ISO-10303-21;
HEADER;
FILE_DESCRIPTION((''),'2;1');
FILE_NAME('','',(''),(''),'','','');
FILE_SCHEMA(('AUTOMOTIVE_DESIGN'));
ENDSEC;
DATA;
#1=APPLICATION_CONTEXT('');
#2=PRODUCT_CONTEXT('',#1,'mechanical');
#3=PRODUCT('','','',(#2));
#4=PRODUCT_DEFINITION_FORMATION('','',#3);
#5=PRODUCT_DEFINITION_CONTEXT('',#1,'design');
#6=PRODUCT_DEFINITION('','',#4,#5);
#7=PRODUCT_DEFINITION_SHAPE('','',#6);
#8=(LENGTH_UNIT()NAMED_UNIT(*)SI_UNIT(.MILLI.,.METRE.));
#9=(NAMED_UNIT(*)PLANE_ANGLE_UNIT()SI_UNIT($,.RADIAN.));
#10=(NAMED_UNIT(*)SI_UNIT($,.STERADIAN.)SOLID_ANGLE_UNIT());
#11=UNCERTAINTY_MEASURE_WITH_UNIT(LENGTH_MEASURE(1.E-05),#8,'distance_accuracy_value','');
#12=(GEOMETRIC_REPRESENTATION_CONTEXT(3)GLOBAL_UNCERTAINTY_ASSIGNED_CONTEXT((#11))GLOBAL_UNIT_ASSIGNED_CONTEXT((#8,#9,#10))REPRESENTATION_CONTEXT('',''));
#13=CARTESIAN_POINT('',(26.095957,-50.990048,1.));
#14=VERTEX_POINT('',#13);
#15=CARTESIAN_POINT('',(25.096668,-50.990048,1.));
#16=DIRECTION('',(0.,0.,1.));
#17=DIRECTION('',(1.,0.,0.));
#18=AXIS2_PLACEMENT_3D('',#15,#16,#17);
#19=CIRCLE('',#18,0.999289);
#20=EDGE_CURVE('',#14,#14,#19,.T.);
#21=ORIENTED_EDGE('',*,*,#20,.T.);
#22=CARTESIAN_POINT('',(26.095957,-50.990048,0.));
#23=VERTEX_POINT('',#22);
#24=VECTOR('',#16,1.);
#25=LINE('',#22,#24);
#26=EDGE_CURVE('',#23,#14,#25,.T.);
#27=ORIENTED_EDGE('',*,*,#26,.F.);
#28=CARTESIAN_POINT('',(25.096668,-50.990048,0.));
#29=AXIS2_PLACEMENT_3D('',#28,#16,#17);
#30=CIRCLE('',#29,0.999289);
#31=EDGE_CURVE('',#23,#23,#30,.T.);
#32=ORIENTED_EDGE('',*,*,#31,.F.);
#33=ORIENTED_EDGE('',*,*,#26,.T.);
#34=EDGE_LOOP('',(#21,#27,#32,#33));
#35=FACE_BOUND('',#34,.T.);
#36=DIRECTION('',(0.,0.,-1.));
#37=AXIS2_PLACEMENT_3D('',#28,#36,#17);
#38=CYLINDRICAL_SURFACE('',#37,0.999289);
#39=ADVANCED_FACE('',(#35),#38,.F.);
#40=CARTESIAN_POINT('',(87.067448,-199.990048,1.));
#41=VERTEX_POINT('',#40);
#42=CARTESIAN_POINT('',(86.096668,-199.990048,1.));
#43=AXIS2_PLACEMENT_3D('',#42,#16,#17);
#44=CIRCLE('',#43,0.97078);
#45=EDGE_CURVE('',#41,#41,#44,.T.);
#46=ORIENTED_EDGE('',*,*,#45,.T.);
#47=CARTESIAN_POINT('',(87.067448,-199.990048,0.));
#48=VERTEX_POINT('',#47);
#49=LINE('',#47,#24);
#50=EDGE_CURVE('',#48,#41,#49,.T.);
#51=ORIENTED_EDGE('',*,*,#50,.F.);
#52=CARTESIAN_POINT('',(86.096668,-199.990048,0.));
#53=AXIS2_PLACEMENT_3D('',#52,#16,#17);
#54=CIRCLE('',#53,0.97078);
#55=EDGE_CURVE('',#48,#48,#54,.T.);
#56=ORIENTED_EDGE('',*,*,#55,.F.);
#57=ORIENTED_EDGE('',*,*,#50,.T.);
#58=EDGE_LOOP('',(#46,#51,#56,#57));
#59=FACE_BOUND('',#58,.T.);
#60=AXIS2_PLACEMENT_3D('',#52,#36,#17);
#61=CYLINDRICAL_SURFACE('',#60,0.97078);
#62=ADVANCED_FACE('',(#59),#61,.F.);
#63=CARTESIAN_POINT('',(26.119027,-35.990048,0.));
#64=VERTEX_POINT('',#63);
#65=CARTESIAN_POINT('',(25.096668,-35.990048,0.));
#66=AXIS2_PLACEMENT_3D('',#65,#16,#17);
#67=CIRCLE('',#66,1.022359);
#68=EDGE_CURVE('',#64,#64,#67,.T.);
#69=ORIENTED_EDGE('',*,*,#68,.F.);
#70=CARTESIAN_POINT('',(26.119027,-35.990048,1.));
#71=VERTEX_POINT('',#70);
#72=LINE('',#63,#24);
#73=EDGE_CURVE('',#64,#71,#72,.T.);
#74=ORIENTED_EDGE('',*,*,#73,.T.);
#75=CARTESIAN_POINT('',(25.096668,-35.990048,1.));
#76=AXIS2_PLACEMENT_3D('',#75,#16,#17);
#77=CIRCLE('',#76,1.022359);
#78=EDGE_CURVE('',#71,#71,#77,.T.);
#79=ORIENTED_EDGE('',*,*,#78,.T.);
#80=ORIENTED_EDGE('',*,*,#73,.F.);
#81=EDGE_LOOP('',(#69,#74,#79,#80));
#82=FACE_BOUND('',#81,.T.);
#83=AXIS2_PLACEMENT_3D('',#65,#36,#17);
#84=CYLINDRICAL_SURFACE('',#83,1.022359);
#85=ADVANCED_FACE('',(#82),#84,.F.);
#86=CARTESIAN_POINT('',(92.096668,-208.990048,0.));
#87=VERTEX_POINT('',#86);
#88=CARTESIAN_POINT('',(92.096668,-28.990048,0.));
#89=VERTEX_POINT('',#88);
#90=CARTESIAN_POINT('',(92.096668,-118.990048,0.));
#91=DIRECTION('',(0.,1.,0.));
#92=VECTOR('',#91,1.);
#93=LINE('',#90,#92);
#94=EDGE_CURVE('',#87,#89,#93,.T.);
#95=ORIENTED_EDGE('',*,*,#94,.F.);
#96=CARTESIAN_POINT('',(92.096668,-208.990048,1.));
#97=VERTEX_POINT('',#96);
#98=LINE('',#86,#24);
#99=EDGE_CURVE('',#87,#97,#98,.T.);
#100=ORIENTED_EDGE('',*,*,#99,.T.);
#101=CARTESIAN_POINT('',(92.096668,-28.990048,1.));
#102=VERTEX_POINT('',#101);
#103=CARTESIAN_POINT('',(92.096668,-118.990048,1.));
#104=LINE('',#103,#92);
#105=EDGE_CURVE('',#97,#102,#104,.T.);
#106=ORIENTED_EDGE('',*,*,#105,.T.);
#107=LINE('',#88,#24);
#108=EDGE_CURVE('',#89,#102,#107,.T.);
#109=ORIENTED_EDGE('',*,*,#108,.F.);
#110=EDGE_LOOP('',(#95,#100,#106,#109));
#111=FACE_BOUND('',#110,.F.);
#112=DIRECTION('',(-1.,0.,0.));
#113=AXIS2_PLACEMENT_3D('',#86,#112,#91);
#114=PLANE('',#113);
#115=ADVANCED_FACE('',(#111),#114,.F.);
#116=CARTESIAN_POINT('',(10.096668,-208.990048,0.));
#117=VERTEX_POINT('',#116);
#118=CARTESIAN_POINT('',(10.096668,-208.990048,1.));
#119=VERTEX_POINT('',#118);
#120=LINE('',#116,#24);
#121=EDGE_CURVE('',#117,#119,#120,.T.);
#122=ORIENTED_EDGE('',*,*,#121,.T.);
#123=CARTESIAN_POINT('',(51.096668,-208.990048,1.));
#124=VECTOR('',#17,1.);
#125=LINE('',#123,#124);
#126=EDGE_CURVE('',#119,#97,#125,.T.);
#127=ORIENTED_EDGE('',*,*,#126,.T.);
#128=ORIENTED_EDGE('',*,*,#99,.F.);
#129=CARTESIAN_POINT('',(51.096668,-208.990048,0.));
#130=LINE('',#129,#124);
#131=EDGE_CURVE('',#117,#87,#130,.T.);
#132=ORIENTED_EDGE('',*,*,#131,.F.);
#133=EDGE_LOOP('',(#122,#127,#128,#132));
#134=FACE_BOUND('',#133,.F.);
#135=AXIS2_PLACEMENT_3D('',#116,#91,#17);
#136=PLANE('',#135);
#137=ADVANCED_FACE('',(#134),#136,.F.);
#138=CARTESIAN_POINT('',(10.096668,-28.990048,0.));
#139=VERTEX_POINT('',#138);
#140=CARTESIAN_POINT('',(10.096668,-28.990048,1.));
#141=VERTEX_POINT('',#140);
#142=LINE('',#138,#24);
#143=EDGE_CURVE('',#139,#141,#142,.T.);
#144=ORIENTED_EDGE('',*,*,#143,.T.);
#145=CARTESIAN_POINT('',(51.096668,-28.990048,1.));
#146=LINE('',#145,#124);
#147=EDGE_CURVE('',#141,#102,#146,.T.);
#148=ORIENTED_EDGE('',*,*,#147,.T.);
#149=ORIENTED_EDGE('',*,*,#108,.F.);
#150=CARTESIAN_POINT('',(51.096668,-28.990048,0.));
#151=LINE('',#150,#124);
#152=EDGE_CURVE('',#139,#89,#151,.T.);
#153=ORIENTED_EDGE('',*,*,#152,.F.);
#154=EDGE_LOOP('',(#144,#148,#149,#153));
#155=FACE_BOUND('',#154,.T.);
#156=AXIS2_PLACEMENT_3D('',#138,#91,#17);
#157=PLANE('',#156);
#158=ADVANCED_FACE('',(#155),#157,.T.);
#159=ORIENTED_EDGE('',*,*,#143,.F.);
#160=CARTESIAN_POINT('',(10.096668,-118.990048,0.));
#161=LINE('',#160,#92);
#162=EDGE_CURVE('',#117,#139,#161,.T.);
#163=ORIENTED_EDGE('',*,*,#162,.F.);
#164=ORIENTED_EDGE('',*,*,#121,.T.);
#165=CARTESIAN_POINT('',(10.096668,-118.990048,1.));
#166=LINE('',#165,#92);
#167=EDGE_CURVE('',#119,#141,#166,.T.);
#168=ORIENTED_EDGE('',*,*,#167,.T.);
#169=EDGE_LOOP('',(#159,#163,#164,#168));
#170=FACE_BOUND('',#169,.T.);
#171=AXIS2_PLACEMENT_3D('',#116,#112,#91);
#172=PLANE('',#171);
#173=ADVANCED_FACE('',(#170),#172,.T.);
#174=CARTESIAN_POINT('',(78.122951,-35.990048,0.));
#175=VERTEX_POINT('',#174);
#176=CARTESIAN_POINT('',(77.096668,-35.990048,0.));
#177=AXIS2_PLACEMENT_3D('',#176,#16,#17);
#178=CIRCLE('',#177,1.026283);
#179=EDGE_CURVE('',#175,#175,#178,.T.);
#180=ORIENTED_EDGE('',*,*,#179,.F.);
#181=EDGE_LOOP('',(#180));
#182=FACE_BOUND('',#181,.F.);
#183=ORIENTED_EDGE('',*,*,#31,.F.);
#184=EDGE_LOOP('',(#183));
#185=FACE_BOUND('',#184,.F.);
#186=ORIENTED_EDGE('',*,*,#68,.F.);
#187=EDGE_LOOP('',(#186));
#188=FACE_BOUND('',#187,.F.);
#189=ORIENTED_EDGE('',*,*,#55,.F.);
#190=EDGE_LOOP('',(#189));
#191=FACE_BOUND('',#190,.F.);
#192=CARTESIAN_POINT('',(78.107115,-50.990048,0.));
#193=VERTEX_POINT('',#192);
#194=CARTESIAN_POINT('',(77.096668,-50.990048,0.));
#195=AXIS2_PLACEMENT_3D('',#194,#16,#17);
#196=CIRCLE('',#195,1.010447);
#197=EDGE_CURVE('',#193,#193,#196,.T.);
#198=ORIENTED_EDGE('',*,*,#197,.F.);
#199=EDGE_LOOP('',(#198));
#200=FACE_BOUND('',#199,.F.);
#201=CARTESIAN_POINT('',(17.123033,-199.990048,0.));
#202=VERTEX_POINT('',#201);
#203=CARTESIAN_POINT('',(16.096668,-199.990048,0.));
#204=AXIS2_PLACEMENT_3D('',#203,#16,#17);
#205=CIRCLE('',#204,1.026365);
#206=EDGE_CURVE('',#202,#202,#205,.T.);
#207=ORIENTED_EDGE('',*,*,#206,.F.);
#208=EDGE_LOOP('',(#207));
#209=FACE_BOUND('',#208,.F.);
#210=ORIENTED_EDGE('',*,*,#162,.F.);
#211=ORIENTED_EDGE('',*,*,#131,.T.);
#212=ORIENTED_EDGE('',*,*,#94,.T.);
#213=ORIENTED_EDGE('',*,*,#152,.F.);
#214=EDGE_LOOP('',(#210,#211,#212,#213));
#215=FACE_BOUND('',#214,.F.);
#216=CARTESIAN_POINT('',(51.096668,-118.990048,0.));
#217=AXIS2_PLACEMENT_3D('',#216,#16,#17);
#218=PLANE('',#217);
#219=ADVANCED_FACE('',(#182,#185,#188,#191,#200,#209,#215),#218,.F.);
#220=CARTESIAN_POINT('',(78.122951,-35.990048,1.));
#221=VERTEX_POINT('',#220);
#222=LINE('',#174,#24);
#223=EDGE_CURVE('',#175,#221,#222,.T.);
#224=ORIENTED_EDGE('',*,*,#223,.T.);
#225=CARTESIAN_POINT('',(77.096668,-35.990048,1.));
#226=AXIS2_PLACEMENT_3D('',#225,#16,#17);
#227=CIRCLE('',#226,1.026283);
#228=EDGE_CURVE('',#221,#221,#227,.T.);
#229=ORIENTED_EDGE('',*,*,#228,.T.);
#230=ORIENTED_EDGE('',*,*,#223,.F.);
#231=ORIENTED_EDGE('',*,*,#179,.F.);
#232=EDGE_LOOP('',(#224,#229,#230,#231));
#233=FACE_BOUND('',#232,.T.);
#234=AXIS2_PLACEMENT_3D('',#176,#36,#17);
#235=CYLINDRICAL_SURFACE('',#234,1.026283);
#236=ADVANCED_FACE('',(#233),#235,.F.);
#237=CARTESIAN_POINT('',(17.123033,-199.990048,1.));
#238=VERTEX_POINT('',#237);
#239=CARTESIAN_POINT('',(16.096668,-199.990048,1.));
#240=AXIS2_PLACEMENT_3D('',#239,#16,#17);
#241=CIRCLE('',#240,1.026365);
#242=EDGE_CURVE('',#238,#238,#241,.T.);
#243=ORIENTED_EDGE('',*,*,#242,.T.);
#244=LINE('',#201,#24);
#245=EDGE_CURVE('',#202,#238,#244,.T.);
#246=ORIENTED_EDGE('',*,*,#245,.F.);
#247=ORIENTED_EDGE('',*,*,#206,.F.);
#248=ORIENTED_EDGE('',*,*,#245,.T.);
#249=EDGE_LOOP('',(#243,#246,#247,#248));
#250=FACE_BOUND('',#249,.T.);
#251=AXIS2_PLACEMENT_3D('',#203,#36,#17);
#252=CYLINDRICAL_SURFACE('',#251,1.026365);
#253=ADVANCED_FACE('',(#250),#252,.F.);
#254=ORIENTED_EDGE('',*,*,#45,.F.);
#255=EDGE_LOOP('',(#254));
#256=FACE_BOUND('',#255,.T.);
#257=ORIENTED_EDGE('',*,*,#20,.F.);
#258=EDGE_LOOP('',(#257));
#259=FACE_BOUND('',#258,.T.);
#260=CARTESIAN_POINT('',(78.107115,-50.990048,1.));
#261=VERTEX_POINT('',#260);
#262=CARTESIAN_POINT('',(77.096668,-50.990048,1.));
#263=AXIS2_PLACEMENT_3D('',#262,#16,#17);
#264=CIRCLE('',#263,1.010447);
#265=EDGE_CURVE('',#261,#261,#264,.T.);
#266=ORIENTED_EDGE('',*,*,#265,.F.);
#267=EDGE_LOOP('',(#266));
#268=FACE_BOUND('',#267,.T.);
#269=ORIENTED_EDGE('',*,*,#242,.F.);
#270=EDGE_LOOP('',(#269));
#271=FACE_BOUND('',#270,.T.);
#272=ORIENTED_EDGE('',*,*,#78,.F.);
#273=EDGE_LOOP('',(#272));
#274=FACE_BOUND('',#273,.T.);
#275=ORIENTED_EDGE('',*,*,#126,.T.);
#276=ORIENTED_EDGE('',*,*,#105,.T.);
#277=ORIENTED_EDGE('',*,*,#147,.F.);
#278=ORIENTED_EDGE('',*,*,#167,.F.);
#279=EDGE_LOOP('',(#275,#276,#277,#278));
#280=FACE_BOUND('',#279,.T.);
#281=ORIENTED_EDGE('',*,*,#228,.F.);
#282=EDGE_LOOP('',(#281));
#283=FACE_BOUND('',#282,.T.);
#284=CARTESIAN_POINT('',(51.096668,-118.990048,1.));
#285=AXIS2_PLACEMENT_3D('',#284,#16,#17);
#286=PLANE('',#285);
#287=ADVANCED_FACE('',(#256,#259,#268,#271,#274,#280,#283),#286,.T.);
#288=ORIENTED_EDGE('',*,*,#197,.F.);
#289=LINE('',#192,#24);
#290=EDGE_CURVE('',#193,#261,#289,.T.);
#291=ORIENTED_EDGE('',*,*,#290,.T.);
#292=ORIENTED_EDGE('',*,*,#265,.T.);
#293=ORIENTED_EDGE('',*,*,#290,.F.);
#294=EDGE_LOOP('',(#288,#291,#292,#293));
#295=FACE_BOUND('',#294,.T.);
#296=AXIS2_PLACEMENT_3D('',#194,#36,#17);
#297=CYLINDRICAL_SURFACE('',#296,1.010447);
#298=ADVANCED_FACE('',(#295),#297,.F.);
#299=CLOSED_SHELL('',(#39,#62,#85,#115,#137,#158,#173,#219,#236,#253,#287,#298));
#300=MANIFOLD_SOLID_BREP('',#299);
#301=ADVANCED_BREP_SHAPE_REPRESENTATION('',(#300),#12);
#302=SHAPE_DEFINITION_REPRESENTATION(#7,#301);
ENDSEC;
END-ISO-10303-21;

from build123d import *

# Parameters (mm, degrees)
SKETCH001_W   = 82
SKETCH001_H   = 180
SKETCH001_R   = 1.010447
SKETCH001_R_2 = 1.026283
SKETCH001_R_3 = 0.999289
SKETCH001_R_4 = 1.022359
SKETCH001_R_5 = 1.026365
SKETCH001_R_6 = 0.97078
PAD_DEPTH     = 1


with BuildPart() as part:
    # Sketch001 → Pad (new body)
    with BuildSketch(Plane.XY):
        with Locations((51.096668, -118.990048)):
            Rectangle(SKETCH001_W, SKETCH001_H)
        with Locations((77.096668, -50.990048)):
            Circle(SKETCH001_R, mode=Mode.SUBTRACT)
        with Locations((77.096668, -35.990048)):
            Circle(SKETCH001_R_2, mode=Mode.SUBTRACT)
        with Locations((25.096668, -50.990048)):
            Circle(SKETCH001_R_3, mode=Mode.SUBTRACT)
        with Locations((25.096668, -35.990048)):
            Circle(SKETCH001_R_4, mode=Mode.SUBTRACT)
        with Locations((16.096668, -199.990048)):
            Circle(SKETCH001_R_5, mode=Mode.SUBTRACT)
        with Locations((86.096668, -199.990048)):
            Circle(SKETCH001_R_6, mode=Mode.SUBTRACT)
    extrude(amount=PAD_DEPTH)


solid = part.part
